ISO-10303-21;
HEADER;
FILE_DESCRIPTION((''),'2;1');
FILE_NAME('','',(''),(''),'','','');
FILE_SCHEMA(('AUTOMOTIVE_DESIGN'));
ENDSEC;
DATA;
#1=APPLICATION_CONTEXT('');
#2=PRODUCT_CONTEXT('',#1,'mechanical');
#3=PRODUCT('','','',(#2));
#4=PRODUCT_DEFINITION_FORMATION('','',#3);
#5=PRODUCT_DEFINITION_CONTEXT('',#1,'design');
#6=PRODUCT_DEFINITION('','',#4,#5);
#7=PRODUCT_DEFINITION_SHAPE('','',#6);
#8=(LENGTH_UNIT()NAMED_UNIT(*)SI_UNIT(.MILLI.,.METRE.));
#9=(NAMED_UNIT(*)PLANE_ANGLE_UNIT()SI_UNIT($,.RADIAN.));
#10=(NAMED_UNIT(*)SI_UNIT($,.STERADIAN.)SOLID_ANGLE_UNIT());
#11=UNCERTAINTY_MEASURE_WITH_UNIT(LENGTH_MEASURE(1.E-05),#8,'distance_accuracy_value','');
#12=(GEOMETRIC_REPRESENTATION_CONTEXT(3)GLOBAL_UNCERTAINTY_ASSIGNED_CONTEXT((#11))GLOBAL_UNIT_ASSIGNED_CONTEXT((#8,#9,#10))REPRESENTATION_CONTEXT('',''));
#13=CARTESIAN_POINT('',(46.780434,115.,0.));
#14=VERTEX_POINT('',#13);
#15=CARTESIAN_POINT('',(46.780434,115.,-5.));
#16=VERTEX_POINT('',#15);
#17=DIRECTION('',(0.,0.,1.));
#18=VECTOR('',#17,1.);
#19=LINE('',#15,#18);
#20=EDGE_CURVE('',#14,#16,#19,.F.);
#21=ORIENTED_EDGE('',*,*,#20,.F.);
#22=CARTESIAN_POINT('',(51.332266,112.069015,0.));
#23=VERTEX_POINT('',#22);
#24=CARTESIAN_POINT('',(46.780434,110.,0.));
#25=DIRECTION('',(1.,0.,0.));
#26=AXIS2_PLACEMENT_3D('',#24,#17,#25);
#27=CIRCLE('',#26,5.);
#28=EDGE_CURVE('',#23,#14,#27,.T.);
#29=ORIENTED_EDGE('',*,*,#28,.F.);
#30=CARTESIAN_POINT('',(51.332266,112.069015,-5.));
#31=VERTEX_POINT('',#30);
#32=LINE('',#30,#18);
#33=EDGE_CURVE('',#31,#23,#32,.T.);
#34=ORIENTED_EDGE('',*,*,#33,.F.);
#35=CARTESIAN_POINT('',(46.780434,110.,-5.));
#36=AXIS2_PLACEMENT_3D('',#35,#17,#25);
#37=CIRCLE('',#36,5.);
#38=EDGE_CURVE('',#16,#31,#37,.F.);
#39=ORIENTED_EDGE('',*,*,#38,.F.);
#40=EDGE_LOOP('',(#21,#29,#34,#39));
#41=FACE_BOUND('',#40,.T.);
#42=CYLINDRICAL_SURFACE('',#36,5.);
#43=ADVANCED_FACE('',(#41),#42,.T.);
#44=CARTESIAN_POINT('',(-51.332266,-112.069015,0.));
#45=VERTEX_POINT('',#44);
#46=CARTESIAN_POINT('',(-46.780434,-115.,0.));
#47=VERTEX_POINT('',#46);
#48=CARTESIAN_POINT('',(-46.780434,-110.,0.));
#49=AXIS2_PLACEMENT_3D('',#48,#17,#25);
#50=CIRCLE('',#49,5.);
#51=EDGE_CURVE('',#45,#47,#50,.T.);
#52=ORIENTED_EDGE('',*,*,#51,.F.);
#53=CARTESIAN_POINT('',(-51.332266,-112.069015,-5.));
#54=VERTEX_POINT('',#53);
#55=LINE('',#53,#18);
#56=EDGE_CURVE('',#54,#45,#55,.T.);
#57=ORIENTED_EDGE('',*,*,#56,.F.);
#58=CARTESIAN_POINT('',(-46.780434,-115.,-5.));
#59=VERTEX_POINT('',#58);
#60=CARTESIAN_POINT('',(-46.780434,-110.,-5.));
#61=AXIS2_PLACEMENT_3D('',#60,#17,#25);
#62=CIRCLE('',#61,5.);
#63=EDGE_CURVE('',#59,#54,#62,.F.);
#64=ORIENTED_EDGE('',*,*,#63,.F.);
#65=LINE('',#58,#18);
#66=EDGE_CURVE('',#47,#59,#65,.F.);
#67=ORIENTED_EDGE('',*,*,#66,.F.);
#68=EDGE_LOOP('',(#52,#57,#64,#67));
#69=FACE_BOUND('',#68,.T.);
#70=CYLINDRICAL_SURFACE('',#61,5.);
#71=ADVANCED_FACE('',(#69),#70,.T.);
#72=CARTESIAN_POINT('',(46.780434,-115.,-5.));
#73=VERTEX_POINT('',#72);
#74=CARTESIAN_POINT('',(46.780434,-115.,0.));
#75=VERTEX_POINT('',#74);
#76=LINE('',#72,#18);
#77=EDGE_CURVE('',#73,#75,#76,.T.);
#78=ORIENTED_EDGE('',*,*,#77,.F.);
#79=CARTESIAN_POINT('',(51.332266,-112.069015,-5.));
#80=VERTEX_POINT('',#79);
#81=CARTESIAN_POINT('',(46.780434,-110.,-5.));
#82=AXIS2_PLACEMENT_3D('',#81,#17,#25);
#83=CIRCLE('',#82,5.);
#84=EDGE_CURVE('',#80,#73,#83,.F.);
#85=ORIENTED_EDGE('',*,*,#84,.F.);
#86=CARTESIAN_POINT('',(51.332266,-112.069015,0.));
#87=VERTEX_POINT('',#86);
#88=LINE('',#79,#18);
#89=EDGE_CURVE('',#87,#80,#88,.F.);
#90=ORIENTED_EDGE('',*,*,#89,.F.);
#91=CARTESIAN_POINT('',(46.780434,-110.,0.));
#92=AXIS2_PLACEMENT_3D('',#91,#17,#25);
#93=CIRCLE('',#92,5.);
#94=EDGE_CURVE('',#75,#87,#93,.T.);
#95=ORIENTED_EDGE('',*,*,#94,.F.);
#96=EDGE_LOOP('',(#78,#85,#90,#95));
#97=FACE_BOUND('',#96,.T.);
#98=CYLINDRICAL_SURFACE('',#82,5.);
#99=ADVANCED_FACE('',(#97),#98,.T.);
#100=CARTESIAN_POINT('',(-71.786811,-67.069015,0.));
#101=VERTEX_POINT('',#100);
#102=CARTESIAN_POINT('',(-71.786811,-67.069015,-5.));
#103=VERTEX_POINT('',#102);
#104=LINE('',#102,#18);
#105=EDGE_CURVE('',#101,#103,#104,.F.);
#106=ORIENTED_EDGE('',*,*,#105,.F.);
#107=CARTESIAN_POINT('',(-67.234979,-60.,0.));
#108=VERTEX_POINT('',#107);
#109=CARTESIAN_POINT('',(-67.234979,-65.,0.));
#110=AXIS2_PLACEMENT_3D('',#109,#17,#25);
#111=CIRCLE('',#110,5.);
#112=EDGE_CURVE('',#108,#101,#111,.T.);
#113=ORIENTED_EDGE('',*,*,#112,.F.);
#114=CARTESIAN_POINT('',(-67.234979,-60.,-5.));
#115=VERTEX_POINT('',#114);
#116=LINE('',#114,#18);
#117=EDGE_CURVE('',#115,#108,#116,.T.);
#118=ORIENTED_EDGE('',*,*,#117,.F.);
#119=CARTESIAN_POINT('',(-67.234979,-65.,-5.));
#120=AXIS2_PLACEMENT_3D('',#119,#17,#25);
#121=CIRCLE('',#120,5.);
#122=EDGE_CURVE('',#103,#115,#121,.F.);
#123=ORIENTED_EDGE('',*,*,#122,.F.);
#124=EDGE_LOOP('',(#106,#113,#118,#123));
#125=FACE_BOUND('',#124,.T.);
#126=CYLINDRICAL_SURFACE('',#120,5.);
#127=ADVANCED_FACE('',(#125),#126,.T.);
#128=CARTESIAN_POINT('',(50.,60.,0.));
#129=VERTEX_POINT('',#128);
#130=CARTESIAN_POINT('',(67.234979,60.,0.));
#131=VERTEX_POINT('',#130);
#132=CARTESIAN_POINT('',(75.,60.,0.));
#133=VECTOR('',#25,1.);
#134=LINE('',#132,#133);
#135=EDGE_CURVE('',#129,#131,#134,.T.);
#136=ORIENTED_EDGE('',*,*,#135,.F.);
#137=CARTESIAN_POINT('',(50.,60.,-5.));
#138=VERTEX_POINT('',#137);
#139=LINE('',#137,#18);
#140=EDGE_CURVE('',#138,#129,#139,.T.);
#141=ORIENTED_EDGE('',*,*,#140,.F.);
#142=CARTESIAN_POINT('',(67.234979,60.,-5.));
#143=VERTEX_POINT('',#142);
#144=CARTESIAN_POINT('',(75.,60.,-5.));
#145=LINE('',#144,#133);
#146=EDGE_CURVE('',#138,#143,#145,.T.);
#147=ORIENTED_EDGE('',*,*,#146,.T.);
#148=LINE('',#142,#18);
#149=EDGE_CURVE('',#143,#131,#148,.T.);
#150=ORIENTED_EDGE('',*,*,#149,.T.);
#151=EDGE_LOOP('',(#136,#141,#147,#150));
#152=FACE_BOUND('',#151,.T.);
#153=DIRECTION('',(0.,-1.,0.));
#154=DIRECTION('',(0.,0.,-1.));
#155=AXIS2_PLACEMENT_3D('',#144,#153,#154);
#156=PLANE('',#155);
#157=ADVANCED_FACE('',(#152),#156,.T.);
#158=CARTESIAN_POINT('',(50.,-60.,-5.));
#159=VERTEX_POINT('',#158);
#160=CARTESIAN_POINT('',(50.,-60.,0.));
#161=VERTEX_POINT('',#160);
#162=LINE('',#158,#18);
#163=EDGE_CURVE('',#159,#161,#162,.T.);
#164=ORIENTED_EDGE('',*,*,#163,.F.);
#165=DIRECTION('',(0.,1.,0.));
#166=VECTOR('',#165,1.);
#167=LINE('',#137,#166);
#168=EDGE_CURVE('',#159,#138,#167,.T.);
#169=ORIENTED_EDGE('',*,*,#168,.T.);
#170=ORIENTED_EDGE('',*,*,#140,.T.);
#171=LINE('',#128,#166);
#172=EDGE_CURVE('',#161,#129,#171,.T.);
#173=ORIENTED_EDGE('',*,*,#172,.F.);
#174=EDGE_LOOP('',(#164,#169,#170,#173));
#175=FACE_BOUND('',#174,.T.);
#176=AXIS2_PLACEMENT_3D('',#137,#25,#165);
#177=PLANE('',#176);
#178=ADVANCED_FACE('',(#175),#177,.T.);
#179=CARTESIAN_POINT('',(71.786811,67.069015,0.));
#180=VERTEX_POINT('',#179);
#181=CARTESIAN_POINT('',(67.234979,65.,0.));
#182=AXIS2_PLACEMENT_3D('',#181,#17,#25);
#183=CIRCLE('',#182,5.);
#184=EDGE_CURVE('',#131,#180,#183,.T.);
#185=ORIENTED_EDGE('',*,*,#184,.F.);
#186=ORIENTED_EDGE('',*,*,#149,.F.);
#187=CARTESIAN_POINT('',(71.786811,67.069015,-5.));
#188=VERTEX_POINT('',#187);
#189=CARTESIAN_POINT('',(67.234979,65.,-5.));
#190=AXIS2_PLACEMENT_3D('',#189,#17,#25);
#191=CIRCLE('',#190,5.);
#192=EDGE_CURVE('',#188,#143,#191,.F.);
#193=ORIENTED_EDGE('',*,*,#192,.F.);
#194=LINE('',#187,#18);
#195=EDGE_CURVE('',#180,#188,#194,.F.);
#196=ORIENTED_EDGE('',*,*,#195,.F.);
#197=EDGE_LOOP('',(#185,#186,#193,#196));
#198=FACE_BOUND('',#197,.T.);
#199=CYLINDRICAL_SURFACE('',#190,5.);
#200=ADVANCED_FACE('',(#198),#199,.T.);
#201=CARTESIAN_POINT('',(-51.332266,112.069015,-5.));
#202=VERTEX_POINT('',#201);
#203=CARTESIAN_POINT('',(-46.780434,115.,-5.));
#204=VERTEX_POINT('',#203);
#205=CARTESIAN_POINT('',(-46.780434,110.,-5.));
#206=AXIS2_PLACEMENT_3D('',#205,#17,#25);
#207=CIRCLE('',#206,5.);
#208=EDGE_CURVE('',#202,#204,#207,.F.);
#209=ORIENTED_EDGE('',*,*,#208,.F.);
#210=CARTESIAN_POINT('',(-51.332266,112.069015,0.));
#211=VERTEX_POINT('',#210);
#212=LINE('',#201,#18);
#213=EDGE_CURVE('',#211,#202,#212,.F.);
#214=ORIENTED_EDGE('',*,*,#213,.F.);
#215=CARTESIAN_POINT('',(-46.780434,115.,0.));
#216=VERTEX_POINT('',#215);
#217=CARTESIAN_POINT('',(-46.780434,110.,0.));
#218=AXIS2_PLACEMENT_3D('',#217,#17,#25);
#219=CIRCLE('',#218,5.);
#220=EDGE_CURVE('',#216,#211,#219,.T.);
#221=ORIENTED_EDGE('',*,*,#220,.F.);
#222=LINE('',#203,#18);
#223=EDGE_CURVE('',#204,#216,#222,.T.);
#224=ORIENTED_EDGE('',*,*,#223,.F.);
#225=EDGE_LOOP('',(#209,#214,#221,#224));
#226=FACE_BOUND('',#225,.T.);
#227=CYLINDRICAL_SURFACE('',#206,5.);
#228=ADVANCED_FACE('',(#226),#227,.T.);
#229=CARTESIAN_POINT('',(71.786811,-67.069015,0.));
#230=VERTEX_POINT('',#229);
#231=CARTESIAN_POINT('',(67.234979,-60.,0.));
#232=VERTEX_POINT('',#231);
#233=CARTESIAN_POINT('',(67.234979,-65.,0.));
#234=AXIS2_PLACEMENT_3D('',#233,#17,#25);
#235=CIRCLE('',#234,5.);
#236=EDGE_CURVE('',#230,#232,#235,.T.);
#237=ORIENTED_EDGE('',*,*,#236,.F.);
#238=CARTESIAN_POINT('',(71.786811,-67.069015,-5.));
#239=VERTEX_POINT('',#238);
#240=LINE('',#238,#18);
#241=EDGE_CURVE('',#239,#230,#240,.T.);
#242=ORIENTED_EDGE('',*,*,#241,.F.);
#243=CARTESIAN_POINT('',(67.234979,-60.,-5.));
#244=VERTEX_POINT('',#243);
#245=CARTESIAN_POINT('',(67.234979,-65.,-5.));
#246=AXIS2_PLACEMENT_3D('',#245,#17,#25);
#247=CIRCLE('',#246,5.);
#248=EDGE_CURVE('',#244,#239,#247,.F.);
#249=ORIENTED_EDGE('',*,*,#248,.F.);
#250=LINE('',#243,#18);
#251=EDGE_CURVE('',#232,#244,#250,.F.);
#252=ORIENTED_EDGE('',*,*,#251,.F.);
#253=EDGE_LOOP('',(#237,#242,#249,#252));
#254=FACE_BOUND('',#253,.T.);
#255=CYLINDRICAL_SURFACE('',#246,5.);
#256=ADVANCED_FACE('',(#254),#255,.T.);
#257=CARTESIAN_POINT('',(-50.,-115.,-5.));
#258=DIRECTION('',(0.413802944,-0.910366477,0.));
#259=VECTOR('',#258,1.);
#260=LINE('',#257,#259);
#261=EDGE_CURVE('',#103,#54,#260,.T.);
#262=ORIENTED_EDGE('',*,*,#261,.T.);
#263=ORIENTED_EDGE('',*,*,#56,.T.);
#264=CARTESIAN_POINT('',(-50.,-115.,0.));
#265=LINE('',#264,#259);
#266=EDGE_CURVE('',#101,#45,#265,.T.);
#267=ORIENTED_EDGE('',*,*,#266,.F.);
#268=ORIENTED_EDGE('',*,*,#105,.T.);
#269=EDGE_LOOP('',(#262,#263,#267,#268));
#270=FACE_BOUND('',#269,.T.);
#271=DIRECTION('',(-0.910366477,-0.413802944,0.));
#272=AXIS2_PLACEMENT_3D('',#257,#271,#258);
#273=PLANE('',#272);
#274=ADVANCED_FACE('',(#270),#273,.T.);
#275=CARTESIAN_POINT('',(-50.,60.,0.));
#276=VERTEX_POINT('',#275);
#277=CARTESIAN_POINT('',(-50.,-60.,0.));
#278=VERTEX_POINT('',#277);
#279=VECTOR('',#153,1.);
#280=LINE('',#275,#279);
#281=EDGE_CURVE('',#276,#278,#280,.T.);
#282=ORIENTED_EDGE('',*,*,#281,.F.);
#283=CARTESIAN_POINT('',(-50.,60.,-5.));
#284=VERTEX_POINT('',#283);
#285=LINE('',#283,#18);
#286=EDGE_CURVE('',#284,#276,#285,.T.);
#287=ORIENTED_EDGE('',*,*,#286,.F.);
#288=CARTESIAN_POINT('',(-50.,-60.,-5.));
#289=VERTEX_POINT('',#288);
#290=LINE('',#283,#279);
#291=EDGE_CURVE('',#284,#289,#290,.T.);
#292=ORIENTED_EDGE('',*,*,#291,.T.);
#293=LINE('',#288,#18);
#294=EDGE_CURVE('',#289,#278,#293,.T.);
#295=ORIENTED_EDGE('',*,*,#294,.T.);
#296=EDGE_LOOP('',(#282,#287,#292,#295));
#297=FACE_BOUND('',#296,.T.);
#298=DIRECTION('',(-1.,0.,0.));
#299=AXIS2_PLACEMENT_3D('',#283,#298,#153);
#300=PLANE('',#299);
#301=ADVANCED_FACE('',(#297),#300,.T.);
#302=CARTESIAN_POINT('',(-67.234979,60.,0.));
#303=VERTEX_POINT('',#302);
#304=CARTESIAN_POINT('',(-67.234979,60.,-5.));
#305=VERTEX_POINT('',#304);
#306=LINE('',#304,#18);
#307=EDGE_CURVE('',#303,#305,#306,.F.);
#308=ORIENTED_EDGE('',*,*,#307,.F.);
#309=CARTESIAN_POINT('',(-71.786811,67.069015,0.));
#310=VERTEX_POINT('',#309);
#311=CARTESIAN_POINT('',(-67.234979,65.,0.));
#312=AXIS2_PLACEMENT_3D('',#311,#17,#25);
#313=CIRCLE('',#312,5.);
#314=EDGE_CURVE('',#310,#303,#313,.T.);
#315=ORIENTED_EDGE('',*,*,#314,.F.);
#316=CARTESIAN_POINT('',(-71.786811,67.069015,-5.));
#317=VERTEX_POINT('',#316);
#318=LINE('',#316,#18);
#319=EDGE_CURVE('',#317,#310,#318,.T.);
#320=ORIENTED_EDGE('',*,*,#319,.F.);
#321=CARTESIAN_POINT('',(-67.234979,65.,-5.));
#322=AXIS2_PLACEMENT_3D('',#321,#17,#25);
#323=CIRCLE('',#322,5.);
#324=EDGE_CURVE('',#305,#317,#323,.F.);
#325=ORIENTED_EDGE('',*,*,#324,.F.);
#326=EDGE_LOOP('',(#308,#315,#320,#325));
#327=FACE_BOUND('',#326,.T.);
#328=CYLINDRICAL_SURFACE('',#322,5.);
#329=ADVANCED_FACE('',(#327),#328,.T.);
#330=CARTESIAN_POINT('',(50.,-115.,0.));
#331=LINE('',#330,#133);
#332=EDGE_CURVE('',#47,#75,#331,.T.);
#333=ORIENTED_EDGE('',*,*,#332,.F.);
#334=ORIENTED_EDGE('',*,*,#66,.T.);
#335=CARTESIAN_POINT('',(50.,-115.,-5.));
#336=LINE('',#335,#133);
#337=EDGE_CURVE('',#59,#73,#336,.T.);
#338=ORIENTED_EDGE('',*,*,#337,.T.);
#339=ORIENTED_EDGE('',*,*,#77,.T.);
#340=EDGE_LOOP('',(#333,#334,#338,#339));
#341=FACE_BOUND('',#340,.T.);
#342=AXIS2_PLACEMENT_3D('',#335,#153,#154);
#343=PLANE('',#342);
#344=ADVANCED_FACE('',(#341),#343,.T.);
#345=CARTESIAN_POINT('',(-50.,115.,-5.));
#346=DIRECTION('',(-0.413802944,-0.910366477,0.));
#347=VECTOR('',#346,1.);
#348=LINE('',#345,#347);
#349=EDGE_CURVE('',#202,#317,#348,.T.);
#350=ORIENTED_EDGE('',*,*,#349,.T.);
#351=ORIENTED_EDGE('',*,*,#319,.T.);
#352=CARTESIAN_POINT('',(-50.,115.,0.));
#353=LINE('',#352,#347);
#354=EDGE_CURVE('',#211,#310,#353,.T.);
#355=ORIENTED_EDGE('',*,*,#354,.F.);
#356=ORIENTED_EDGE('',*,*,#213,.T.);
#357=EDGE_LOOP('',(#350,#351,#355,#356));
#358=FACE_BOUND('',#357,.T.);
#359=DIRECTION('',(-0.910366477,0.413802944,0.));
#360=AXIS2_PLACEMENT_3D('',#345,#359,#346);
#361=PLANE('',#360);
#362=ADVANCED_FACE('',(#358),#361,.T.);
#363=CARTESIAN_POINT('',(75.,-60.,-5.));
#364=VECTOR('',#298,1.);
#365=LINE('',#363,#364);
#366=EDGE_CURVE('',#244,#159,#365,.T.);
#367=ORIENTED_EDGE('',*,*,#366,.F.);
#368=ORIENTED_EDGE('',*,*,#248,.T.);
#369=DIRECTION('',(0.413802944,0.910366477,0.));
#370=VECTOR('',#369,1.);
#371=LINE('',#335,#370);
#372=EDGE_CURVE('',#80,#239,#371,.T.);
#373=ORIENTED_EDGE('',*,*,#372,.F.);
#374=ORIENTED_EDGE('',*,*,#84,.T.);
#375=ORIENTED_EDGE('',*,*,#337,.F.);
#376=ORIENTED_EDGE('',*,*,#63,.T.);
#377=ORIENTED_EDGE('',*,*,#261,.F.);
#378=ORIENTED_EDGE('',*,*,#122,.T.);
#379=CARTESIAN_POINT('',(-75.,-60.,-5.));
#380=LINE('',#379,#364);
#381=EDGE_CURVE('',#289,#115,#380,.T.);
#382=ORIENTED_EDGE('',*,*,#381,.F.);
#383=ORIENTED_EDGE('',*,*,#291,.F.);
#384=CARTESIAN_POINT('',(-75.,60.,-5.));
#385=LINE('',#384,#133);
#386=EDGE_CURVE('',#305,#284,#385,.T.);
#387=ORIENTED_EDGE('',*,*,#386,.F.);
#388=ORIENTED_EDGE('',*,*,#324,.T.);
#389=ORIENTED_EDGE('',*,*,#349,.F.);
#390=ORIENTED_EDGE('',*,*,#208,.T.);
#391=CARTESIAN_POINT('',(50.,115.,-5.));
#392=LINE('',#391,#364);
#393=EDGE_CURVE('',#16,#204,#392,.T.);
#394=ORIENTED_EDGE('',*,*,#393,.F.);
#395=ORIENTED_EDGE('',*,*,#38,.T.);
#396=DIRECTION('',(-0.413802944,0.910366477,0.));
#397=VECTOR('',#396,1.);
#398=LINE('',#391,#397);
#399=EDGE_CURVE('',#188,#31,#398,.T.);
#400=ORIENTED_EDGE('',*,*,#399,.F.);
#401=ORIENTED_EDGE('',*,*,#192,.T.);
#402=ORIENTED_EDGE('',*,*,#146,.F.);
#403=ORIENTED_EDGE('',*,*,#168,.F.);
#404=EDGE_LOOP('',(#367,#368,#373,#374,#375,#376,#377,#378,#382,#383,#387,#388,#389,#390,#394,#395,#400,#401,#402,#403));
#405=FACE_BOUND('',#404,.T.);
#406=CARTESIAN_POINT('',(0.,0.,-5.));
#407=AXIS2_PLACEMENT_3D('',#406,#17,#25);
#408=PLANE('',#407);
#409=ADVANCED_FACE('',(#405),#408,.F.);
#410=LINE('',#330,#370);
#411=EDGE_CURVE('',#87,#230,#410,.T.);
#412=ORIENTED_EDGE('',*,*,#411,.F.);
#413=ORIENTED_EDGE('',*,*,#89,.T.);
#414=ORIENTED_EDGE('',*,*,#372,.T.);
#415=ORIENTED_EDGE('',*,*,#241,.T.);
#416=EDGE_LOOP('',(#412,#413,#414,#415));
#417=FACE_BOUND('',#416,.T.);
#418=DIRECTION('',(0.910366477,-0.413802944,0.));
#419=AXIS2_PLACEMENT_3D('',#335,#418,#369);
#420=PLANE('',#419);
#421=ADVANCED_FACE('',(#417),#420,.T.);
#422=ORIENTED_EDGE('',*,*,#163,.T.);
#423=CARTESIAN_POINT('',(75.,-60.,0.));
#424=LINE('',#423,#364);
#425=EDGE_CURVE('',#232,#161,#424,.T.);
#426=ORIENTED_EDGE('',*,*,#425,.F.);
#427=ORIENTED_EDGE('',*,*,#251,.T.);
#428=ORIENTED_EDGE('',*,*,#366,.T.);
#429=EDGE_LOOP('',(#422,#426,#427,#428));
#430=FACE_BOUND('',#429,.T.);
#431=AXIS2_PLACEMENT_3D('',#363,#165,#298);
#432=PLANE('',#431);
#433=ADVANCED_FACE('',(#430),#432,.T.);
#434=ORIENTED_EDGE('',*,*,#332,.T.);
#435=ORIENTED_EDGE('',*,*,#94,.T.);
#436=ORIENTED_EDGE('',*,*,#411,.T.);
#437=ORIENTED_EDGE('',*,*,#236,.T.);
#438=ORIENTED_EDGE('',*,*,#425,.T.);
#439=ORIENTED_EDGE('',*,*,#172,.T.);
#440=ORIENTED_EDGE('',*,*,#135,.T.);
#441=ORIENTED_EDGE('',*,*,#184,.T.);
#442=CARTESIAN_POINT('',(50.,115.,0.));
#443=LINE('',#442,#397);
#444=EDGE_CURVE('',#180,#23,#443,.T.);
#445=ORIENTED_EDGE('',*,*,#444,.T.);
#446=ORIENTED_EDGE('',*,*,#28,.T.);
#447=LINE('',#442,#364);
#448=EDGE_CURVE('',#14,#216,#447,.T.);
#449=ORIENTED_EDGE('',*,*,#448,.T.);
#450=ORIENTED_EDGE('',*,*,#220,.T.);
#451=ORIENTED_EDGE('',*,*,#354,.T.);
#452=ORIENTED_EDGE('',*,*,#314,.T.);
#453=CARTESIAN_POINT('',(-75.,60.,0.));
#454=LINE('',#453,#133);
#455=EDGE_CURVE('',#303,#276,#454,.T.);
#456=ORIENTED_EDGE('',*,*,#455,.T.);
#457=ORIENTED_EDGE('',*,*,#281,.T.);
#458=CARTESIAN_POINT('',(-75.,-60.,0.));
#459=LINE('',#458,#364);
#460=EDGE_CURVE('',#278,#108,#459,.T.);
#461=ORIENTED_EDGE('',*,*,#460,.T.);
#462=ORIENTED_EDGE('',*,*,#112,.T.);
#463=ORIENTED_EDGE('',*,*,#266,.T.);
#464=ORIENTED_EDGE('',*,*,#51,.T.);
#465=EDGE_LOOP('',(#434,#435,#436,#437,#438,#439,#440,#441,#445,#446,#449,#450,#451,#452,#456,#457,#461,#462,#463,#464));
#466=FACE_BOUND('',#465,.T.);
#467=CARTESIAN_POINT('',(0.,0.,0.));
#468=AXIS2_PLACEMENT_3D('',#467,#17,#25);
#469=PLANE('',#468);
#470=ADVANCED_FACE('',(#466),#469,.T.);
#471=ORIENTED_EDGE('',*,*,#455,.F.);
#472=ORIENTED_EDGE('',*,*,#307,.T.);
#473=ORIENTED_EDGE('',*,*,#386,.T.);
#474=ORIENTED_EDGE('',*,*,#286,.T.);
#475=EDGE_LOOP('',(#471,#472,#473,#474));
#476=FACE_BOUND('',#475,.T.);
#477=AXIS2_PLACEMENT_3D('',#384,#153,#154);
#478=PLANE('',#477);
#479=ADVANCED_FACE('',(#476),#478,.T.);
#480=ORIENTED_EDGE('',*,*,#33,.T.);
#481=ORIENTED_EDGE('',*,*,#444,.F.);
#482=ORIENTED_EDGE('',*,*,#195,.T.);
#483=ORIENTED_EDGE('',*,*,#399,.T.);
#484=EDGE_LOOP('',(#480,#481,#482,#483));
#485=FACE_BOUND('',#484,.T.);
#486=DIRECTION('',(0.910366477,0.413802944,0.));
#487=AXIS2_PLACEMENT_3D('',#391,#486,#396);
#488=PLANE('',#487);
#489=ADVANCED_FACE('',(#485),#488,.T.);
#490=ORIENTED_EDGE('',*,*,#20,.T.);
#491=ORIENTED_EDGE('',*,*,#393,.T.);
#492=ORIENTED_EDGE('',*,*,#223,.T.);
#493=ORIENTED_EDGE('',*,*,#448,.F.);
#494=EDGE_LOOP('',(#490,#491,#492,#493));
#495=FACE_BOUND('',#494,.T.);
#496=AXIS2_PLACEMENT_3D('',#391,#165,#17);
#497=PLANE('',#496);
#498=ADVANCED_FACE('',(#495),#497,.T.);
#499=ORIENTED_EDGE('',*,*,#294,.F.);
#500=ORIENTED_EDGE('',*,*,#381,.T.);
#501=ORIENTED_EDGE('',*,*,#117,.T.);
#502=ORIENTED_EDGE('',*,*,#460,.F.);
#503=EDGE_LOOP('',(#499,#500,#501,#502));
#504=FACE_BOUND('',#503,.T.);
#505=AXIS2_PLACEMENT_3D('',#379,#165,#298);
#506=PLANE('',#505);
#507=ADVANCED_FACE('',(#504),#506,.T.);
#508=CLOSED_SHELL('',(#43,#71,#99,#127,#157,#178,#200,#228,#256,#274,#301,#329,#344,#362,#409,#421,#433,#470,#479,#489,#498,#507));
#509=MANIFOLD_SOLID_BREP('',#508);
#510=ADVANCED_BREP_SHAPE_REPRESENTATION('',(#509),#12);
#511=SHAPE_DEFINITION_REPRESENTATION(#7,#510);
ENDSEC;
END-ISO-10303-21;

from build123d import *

# Parameters (mm, degrees)
BOSS_EXTRUDE1_DEPTH = 5
FILLET2_R           = 5


with BuildPart() as part:
    # Sketch3 → Boss-Extrude1 (new body)
    with BuildSketch(Plane.XY):
        Polygon((50, 115), (-50, 115), (-75, 60), (-50, 60), (-50, -60), (-75, -60), (-50, -115), (50, -115), (75, -60), (50, -60), (50, 60), (75, 60), align=None)
    extrude(amount=-BOSS_EXTRUDE1_DEPTH)

    # Fillet2
    fillet2_edges = [part.edges().sort_by_distance(p)[0] for p in [
        (-50, 115, -2.5),
        (50, 115, -2.5),
        (75, 60, -2.5),
        (75, -60, -2.5),
        (50, -115, -2.5),
        (-50, -115, -2.5),
        (-75, -60, -2.5),
        (-75, 60, -2.5),
    ]]
    fillet(fillet2_edges, radius=FILLET2_R)


solid = part.part
